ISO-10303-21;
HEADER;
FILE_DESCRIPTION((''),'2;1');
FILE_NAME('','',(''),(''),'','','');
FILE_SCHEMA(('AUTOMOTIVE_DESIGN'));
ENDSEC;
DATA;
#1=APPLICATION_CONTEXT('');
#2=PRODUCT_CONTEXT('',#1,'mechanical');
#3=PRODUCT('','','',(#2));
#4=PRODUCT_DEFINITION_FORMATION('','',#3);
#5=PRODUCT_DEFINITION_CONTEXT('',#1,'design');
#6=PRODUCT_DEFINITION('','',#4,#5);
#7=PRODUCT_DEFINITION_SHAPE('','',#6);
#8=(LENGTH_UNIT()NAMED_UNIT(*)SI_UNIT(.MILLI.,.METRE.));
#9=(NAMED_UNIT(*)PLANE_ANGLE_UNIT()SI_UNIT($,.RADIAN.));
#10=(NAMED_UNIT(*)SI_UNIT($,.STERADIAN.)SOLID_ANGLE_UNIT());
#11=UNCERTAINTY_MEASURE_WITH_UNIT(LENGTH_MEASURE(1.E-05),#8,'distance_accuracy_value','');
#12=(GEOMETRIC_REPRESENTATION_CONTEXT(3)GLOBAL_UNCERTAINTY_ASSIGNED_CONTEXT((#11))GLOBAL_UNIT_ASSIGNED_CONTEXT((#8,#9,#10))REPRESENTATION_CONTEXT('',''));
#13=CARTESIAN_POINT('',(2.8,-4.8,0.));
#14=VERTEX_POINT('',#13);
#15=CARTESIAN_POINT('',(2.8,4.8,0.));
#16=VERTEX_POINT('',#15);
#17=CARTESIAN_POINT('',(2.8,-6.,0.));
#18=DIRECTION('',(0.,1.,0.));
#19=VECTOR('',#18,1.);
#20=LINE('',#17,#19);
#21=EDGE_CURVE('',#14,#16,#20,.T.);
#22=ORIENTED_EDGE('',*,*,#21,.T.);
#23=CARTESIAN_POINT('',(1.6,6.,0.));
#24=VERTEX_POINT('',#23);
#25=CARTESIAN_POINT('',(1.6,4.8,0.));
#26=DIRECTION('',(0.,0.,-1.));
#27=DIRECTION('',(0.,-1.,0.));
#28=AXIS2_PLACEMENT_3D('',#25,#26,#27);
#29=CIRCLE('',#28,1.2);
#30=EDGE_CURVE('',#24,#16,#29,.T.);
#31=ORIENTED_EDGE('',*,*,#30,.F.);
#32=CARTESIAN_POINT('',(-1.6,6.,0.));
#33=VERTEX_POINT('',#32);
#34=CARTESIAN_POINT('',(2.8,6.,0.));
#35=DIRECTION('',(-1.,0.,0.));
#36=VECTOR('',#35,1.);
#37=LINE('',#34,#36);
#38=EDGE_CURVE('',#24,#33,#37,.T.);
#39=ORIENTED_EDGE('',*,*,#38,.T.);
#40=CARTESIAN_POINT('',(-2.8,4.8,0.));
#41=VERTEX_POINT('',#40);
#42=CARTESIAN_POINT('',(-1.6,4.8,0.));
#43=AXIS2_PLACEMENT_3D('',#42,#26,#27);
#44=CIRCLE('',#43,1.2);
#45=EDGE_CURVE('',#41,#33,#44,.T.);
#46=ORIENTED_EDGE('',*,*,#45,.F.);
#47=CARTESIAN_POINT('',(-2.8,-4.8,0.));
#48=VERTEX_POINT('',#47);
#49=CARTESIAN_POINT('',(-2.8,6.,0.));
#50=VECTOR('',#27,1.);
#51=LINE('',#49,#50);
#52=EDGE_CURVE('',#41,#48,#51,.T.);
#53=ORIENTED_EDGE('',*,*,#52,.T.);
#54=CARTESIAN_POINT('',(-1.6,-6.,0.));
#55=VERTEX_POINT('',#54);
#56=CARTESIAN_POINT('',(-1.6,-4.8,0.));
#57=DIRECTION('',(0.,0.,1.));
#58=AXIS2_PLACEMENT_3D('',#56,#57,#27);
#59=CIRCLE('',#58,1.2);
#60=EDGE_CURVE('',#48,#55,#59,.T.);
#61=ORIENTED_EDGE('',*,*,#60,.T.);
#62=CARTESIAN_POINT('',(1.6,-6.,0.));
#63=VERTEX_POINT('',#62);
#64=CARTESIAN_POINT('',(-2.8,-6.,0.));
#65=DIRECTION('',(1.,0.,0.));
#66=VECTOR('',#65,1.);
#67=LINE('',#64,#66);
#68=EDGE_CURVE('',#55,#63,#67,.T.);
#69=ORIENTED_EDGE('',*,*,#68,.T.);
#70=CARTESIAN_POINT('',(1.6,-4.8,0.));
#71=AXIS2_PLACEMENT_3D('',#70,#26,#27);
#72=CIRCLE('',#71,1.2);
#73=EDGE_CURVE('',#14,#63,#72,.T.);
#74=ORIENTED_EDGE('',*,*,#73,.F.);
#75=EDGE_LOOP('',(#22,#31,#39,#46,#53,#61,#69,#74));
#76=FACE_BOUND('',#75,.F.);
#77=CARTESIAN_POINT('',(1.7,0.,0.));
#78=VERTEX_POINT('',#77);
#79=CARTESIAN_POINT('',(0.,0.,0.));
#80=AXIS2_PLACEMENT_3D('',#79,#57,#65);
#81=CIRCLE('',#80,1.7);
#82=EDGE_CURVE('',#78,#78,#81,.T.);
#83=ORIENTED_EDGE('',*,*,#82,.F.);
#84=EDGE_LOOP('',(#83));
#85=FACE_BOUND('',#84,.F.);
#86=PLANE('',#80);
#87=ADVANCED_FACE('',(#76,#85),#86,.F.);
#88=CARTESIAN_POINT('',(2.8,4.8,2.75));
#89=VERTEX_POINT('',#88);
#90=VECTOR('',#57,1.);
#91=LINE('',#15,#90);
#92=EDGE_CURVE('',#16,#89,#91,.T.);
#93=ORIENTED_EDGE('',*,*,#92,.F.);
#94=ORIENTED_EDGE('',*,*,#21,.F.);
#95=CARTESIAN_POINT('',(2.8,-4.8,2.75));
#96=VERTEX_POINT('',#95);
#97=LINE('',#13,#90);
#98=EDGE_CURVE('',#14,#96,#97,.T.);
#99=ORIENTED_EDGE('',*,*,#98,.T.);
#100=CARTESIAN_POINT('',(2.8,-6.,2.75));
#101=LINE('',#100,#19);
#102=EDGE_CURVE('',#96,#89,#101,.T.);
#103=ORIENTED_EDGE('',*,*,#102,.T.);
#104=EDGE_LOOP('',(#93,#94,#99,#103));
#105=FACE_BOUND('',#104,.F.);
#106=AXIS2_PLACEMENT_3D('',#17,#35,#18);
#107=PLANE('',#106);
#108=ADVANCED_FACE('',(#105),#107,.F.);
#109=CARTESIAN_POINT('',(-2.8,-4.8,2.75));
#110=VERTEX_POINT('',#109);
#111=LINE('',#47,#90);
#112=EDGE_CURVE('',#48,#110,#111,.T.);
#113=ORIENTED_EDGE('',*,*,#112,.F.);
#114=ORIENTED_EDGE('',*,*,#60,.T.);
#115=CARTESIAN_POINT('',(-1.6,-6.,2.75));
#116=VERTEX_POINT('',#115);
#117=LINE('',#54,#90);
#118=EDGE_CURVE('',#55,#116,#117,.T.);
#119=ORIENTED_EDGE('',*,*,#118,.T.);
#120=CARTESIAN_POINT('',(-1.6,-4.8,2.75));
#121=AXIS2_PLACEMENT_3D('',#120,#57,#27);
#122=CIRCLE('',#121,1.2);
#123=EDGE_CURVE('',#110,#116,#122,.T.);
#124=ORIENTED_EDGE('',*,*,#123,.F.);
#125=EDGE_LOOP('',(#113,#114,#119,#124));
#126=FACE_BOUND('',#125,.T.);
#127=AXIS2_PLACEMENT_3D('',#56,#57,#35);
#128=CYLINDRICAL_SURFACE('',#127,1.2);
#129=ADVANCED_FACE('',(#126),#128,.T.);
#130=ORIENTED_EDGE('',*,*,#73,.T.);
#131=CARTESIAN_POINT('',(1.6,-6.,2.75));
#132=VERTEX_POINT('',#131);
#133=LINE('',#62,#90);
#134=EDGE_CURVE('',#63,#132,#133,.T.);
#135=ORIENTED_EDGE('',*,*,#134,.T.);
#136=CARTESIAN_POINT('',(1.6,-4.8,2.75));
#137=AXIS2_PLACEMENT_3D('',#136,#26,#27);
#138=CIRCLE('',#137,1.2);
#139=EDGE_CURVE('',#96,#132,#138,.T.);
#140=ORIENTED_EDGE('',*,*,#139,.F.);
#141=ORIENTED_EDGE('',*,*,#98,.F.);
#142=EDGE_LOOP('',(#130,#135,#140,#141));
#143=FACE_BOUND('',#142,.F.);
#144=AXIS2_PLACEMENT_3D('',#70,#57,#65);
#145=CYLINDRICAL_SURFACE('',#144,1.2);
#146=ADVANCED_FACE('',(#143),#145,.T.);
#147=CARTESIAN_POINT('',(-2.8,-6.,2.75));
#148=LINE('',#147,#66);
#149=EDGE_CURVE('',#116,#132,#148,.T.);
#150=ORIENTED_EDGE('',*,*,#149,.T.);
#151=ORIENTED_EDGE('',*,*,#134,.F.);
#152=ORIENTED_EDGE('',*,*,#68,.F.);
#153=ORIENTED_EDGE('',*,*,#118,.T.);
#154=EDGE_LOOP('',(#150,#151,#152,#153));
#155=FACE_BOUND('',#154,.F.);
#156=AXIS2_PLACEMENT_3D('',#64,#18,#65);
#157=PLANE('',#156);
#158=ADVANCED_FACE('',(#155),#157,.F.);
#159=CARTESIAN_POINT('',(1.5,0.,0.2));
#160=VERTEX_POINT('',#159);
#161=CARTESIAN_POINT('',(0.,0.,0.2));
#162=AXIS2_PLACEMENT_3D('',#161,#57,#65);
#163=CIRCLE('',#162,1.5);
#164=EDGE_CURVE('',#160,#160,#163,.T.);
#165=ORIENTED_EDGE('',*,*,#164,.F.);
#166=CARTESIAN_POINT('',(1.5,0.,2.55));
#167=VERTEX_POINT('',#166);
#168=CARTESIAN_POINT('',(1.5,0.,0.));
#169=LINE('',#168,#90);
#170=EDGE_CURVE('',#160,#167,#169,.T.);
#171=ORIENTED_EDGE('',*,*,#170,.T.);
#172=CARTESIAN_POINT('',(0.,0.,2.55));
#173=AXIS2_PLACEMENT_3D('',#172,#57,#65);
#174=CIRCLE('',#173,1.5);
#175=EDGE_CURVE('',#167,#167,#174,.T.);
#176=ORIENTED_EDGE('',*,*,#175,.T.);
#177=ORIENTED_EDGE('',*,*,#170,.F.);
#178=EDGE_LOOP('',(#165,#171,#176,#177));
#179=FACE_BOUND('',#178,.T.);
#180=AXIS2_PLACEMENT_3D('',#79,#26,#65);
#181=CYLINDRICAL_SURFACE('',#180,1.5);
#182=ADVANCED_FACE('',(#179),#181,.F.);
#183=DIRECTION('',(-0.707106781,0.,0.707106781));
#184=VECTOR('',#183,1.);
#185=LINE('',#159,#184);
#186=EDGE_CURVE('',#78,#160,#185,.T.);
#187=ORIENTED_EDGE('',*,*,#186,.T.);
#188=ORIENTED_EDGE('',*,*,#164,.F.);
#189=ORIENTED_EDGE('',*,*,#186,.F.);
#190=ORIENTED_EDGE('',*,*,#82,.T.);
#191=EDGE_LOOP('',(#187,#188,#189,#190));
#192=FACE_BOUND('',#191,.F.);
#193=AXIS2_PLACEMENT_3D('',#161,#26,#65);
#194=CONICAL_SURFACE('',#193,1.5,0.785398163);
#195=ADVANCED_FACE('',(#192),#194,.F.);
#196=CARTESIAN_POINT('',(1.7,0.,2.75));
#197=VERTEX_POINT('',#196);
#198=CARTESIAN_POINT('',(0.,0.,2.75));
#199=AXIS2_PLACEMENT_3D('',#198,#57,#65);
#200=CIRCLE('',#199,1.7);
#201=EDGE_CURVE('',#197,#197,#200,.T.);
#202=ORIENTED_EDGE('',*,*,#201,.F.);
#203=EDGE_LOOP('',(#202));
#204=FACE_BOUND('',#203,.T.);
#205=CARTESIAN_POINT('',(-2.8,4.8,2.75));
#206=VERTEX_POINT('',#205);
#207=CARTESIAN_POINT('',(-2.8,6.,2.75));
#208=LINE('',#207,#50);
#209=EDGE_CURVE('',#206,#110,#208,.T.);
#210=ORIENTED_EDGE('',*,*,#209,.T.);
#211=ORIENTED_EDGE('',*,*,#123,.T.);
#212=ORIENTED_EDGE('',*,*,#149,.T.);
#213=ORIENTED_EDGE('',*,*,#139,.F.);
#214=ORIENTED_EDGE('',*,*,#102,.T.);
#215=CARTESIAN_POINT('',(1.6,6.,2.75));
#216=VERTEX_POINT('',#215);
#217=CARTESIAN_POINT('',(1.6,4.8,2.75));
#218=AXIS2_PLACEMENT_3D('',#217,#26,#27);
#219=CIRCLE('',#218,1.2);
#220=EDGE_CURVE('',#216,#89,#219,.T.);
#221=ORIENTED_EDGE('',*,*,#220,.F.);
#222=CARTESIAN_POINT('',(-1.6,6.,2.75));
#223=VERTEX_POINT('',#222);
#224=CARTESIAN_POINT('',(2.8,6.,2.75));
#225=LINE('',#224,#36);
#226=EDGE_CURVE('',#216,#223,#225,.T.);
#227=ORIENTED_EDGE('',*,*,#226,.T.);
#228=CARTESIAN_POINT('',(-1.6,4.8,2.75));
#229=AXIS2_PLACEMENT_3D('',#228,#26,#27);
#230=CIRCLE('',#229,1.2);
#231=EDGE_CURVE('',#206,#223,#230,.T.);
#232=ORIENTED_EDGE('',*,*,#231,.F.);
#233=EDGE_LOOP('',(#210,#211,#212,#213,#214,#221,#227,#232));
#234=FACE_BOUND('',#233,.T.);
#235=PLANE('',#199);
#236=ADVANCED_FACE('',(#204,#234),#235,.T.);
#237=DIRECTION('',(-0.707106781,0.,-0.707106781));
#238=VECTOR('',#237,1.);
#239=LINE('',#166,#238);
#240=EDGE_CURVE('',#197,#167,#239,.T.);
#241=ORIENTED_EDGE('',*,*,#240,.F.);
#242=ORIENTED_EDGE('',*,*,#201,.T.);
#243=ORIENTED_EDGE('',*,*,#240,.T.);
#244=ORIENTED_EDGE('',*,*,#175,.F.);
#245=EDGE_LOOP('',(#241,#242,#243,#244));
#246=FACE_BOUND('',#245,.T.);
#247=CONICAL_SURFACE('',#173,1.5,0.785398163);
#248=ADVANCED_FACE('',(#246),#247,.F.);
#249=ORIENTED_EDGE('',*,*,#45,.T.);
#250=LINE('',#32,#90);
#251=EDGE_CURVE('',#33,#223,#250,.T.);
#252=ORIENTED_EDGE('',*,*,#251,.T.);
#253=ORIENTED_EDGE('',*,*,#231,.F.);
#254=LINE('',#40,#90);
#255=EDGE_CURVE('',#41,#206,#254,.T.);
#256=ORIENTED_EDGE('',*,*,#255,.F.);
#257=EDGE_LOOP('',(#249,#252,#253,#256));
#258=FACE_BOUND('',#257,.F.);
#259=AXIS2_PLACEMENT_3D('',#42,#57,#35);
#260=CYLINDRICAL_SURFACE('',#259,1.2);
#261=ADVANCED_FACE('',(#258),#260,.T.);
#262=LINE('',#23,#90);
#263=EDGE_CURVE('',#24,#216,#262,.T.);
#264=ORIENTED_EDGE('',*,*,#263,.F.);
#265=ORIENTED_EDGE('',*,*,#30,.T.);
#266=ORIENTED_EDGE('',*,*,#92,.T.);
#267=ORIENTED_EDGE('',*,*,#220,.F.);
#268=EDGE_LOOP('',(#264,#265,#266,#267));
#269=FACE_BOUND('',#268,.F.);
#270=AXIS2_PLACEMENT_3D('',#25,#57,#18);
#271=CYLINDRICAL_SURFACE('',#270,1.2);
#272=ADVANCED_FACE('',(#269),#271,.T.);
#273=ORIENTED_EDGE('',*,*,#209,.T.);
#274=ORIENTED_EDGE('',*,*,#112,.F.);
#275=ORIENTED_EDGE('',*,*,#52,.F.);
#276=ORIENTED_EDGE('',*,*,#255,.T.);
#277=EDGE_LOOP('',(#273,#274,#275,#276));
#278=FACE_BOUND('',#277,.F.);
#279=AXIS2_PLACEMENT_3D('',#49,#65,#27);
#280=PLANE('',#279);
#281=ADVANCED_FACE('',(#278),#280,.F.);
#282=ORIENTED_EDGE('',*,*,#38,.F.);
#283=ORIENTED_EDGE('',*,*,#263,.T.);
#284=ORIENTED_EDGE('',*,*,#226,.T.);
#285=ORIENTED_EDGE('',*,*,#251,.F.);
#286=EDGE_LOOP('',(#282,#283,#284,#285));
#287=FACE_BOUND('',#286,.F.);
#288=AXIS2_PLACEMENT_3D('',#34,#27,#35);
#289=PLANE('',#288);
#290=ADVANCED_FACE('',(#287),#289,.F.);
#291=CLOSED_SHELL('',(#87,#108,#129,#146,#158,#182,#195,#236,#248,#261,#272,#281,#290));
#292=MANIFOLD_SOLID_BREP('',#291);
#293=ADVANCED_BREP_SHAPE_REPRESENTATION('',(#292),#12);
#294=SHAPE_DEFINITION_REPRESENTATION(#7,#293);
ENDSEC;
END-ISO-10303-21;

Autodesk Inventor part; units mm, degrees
ref_plane "YZ Plane" through (0, 0, 0) normal (1, 0, 0) x (0, 1, 0)
ref_plane "XZ Plane" through (0, 0, 0) normal (0, 1, 0) x (-1, 0, 0)
ref_plane "XY Plane" through (0, 0, 0) normal (0, 0, 1) x (1, 0, 0)
sketch "Náčrt2" plane through (0, 0, 0) normal (0, 0, 1) x (1, 0, 0)
  line L0 (-2.8, -6) -> (2.8, -6)
  line L1 (2.8, -6) -> (2.8, 6)
  line L2 (2.8, 6) -> (-2.8, 6)
  line L3 (-2.8, 6) -> (-2.8, -6)
  line L4 (-2.8, -6) -> (2.8, 6) construction
  line L5 (2.8, -6) -> (-2.8, 6) construction
  circle A0 centre (0, 0) radius 1.5
  dimension "d0" = 5.6
  dimension "d1" = 12
  dimension "d2" = 3
extrude "Vysunutí1" add sketch "Náčrt2" along normal blind 2.75
fillet "Zaoblení1" radius 1.2 4 edges at (-2.8, 6, 1.375) (2.8, 6, 1.375) (2.8, -6, 1.375) (-2.8, -6, 1.375)
chamfer "Zkosení1" distance 0.2 angle 45 2 edges at (-1.5, 0, 2.75) (-1.5, 0, 0)
properties part number "rapoukServoWasherv0_3D tisk"
